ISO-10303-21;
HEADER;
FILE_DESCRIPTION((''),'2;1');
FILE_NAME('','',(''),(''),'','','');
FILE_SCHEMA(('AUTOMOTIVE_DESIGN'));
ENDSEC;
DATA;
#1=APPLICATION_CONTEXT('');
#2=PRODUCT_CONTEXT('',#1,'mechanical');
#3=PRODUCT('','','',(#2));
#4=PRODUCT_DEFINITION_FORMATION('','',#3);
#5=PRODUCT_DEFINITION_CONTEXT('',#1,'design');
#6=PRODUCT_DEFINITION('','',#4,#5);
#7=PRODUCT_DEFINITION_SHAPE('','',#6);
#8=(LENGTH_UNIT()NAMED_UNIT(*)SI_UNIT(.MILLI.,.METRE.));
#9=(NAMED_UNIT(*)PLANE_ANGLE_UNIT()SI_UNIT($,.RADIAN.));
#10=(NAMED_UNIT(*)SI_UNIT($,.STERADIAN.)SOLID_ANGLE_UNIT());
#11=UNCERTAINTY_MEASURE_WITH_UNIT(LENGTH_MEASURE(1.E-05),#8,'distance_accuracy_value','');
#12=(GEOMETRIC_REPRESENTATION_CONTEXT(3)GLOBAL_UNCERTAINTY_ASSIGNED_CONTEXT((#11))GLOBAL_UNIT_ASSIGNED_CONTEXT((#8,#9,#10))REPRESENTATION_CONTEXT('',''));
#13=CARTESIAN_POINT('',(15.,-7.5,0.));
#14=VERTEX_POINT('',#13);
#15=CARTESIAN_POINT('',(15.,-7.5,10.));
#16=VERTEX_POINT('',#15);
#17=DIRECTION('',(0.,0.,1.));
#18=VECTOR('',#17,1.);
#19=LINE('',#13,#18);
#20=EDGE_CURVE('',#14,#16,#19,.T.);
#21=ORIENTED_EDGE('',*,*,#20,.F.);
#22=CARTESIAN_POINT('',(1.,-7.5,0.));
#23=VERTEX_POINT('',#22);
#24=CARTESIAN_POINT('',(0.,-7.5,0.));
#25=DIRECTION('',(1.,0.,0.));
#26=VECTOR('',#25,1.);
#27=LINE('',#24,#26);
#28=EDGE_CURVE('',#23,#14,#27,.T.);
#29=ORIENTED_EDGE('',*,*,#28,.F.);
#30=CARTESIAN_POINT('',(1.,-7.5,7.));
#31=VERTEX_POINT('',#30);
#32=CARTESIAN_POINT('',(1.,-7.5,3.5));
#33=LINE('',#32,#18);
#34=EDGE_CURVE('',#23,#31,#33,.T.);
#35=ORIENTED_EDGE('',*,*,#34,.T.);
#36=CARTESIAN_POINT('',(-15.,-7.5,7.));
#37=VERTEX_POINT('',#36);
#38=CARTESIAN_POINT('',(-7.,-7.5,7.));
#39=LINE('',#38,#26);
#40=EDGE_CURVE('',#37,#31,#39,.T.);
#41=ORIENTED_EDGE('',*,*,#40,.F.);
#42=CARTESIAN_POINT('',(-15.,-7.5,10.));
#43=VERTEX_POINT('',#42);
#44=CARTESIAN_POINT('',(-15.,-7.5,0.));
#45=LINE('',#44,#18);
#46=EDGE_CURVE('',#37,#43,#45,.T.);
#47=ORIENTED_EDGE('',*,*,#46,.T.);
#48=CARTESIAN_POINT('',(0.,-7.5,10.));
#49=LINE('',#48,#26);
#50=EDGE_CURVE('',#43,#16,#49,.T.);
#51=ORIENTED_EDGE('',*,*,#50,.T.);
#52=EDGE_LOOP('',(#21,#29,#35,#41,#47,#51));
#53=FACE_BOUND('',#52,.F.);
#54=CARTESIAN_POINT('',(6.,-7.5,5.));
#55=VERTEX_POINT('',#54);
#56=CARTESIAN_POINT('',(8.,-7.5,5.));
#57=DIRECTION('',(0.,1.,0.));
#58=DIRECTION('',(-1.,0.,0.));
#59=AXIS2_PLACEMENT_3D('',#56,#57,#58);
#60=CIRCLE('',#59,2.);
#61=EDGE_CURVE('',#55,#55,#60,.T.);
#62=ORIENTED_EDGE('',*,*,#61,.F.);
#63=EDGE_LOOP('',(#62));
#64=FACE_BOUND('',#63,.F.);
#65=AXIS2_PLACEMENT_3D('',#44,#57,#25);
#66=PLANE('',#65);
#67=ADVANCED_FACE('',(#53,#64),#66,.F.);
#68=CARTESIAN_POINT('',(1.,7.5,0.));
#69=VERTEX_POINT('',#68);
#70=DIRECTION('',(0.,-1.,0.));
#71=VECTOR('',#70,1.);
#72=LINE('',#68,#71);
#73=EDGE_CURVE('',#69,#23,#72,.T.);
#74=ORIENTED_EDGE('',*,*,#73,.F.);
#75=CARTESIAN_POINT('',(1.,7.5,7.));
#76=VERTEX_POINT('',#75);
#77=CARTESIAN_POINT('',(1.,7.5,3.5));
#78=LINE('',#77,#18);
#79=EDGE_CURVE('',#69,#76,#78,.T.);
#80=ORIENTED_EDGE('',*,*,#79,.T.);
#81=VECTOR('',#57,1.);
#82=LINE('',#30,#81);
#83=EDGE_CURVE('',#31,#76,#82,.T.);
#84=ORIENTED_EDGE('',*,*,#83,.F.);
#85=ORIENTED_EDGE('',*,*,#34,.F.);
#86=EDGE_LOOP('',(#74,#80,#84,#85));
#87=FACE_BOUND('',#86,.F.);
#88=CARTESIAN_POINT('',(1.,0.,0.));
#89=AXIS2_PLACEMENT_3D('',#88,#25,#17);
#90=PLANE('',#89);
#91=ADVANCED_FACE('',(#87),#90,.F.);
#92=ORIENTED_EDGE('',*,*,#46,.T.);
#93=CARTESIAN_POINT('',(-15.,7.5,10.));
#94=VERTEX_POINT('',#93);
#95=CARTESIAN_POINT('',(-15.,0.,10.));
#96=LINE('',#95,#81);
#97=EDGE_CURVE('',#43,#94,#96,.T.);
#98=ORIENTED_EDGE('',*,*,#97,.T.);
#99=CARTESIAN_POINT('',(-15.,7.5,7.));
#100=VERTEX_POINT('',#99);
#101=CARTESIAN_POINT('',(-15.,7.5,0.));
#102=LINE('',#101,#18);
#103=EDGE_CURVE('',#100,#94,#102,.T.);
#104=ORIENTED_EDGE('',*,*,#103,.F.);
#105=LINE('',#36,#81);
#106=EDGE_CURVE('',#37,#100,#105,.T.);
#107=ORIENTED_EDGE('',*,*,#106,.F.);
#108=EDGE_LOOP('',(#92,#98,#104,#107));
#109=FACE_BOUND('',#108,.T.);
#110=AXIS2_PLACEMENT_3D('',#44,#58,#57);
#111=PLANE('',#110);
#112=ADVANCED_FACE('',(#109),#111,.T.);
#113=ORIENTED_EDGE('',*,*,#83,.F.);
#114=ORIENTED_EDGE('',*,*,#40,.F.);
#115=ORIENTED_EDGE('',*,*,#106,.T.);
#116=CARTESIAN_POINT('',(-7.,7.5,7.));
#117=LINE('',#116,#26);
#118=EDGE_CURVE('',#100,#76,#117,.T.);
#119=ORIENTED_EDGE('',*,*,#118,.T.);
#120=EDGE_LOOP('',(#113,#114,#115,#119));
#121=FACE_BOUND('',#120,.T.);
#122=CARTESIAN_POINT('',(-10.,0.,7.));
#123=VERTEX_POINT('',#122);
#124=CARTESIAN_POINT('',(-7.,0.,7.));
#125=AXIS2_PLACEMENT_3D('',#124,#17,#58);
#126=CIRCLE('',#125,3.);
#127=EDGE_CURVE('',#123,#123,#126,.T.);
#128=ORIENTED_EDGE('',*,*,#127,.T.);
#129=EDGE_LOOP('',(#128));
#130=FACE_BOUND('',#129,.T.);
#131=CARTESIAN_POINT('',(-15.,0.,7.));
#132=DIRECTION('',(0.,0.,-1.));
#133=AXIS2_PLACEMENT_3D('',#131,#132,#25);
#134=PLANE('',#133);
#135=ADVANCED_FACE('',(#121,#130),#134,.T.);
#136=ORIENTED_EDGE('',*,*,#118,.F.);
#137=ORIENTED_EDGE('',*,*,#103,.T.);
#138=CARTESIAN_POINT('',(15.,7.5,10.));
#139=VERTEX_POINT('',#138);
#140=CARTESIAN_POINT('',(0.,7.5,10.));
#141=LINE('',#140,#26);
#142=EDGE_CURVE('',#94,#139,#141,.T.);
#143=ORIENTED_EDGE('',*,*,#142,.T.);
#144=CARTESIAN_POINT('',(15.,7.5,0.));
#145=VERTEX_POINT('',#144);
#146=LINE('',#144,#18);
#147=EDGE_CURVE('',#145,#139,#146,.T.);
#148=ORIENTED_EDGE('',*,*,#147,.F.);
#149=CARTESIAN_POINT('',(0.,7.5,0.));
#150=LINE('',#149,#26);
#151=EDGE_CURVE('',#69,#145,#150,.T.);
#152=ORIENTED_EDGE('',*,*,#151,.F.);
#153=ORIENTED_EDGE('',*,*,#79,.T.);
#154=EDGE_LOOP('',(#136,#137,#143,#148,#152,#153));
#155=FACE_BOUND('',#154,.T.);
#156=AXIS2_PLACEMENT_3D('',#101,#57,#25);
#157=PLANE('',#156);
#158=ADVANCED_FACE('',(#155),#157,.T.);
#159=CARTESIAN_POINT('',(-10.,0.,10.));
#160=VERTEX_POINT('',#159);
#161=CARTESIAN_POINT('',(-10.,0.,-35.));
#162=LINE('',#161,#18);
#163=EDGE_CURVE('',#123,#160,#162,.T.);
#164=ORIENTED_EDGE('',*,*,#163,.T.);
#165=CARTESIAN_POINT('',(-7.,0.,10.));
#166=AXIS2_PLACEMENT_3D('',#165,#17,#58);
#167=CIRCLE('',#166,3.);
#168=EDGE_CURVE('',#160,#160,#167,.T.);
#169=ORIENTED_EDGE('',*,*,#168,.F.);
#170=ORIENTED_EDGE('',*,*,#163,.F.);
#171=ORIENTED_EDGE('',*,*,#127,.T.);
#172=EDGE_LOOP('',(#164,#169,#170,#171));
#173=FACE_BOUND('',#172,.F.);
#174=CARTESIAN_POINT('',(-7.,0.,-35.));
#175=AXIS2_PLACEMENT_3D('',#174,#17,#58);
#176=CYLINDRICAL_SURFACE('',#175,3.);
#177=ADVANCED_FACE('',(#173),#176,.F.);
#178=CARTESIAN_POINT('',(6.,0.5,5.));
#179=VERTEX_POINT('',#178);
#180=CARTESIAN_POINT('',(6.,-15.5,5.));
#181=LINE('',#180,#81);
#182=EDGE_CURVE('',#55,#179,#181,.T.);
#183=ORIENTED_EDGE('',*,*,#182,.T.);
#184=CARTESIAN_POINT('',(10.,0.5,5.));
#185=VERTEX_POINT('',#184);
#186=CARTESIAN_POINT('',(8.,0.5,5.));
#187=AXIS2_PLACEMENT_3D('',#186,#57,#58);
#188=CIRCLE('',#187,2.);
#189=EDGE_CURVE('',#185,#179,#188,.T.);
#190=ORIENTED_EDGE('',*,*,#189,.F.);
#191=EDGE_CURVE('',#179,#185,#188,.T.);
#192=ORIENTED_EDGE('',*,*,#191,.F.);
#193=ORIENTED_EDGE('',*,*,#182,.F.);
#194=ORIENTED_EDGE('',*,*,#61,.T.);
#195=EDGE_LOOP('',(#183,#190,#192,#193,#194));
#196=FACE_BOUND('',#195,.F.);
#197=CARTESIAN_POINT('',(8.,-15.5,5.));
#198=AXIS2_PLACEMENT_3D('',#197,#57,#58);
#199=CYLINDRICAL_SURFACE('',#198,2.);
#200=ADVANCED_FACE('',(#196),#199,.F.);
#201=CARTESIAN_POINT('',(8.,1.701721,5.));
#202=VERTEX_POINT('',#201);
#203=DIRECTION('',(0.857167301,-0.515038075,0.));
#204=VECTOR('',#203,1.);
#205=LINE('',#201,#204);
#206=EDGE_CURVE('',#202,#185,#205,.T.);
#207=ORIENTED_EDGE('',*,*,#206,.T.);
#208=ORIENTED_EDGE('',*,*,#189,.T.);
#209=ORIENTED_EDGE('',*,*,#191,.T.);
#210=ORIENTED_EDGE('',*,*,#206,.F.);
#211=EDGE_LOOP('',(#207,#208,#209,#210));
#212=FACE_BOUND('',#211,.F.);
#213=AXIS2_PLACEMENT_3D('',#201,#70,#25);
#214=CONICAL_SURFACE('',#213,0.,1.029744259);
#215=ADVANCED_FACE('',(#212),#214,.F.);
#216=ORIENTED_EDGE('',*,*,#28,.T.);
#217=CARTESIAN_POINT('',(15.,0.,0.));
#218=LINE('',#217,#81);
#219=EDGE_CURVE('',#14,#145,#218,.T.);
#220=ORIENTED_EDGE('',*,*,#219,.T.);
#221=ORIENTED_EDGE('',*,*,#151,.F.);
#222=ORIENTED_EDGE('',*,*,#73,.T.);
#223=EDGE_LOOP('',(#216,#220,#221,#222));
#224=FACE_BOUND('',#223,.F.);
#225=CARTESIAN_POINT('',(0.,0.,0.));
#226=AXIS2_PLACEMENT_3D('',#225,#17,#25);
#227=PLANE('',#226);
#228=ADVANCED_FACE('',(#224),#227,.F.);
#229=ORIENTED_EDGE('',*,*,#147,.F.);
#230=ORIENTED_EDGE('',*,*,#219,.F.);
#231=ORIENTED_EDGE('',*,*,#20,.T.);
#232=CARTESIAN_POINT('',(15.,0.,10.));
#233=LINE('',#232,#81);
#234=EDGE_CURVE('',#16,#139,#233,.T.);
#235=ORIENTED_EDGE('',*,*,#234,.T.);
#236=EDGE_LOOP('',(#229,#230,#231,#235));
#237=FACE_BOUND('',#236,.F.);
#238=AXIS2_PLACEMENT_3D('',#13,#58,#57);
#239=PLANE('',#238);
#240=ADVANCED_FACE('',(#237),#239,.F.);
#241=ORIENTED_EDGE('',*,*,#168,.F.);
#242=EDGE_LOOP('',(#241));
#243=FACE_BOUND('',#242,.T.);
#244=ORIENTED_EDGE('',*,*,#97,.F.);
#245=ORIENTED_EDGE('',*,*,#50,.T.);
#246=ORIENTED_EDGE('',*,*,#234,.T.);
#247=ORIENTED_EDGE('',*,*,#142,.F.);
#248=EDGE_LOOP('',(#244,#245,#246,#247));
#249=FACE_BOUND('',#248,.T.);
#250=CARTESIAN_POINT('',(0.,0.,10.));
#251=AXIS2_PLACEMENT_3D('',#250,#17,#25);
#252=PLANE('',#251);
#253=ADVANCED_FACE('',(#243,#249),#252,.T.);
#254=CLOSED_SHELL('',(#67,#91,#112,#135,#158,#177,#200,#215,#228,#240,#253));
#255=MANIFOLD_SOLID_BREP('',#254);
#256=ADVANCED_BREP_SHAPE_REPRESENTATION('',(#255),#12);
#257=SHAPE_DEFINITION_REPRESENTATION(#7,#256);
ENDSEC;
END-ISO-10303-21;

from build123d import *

# Parameters (mm, degrees)
F0_W     = 30
F0_H     = 15
F1_DEPTH = 10
F2_D     = 6
F4_D     = 4
F4_DEPTH = 8
F4_TIP   = 1.2017212381
F5_W     = 16
F5_H     = 7
F6_DEPTH = 7.5


with BuildPart() as f1:
    # F0 (on Top) → F1 (new body)
    with BuildSketch(Plane.XY):
        Rectangle(F0_W, F0_H)
    extrude(amount=F1_DEPTH)

    # F2 (through all)
    with Locations(Plane(origin=(0, 0, 0), x_dir=(1, 0, 0), z_dir=(0, 0, -1))):
        with Locations((-7, 0)):
            Hole(F2_D / 2)

    # F4
    with Locations(Plane.XZ.offset(7.5)):
        with Locations((8, 5)):
            Hole(F4_D / 2, depth=F4_DEPTH)
            with Locations((0, 0, -(F4_DEPTH + F4_TIP / 2))):  # 118° drill point
                Cone(0, F4_D / 2, F4_TIP, mode=Mode.SUBTRACT)

    # F5 (on Front) → F6 (cut, symmetric)
    with BuildSketch(Plane.XZ):
        with Locations((-7, 3.5)):
            Rectangle(F5_W, F5_H)
    extrude(amount=F6_DEPTH, both=True, mode=Mode.SUBTRACT)


solid = f1.part
